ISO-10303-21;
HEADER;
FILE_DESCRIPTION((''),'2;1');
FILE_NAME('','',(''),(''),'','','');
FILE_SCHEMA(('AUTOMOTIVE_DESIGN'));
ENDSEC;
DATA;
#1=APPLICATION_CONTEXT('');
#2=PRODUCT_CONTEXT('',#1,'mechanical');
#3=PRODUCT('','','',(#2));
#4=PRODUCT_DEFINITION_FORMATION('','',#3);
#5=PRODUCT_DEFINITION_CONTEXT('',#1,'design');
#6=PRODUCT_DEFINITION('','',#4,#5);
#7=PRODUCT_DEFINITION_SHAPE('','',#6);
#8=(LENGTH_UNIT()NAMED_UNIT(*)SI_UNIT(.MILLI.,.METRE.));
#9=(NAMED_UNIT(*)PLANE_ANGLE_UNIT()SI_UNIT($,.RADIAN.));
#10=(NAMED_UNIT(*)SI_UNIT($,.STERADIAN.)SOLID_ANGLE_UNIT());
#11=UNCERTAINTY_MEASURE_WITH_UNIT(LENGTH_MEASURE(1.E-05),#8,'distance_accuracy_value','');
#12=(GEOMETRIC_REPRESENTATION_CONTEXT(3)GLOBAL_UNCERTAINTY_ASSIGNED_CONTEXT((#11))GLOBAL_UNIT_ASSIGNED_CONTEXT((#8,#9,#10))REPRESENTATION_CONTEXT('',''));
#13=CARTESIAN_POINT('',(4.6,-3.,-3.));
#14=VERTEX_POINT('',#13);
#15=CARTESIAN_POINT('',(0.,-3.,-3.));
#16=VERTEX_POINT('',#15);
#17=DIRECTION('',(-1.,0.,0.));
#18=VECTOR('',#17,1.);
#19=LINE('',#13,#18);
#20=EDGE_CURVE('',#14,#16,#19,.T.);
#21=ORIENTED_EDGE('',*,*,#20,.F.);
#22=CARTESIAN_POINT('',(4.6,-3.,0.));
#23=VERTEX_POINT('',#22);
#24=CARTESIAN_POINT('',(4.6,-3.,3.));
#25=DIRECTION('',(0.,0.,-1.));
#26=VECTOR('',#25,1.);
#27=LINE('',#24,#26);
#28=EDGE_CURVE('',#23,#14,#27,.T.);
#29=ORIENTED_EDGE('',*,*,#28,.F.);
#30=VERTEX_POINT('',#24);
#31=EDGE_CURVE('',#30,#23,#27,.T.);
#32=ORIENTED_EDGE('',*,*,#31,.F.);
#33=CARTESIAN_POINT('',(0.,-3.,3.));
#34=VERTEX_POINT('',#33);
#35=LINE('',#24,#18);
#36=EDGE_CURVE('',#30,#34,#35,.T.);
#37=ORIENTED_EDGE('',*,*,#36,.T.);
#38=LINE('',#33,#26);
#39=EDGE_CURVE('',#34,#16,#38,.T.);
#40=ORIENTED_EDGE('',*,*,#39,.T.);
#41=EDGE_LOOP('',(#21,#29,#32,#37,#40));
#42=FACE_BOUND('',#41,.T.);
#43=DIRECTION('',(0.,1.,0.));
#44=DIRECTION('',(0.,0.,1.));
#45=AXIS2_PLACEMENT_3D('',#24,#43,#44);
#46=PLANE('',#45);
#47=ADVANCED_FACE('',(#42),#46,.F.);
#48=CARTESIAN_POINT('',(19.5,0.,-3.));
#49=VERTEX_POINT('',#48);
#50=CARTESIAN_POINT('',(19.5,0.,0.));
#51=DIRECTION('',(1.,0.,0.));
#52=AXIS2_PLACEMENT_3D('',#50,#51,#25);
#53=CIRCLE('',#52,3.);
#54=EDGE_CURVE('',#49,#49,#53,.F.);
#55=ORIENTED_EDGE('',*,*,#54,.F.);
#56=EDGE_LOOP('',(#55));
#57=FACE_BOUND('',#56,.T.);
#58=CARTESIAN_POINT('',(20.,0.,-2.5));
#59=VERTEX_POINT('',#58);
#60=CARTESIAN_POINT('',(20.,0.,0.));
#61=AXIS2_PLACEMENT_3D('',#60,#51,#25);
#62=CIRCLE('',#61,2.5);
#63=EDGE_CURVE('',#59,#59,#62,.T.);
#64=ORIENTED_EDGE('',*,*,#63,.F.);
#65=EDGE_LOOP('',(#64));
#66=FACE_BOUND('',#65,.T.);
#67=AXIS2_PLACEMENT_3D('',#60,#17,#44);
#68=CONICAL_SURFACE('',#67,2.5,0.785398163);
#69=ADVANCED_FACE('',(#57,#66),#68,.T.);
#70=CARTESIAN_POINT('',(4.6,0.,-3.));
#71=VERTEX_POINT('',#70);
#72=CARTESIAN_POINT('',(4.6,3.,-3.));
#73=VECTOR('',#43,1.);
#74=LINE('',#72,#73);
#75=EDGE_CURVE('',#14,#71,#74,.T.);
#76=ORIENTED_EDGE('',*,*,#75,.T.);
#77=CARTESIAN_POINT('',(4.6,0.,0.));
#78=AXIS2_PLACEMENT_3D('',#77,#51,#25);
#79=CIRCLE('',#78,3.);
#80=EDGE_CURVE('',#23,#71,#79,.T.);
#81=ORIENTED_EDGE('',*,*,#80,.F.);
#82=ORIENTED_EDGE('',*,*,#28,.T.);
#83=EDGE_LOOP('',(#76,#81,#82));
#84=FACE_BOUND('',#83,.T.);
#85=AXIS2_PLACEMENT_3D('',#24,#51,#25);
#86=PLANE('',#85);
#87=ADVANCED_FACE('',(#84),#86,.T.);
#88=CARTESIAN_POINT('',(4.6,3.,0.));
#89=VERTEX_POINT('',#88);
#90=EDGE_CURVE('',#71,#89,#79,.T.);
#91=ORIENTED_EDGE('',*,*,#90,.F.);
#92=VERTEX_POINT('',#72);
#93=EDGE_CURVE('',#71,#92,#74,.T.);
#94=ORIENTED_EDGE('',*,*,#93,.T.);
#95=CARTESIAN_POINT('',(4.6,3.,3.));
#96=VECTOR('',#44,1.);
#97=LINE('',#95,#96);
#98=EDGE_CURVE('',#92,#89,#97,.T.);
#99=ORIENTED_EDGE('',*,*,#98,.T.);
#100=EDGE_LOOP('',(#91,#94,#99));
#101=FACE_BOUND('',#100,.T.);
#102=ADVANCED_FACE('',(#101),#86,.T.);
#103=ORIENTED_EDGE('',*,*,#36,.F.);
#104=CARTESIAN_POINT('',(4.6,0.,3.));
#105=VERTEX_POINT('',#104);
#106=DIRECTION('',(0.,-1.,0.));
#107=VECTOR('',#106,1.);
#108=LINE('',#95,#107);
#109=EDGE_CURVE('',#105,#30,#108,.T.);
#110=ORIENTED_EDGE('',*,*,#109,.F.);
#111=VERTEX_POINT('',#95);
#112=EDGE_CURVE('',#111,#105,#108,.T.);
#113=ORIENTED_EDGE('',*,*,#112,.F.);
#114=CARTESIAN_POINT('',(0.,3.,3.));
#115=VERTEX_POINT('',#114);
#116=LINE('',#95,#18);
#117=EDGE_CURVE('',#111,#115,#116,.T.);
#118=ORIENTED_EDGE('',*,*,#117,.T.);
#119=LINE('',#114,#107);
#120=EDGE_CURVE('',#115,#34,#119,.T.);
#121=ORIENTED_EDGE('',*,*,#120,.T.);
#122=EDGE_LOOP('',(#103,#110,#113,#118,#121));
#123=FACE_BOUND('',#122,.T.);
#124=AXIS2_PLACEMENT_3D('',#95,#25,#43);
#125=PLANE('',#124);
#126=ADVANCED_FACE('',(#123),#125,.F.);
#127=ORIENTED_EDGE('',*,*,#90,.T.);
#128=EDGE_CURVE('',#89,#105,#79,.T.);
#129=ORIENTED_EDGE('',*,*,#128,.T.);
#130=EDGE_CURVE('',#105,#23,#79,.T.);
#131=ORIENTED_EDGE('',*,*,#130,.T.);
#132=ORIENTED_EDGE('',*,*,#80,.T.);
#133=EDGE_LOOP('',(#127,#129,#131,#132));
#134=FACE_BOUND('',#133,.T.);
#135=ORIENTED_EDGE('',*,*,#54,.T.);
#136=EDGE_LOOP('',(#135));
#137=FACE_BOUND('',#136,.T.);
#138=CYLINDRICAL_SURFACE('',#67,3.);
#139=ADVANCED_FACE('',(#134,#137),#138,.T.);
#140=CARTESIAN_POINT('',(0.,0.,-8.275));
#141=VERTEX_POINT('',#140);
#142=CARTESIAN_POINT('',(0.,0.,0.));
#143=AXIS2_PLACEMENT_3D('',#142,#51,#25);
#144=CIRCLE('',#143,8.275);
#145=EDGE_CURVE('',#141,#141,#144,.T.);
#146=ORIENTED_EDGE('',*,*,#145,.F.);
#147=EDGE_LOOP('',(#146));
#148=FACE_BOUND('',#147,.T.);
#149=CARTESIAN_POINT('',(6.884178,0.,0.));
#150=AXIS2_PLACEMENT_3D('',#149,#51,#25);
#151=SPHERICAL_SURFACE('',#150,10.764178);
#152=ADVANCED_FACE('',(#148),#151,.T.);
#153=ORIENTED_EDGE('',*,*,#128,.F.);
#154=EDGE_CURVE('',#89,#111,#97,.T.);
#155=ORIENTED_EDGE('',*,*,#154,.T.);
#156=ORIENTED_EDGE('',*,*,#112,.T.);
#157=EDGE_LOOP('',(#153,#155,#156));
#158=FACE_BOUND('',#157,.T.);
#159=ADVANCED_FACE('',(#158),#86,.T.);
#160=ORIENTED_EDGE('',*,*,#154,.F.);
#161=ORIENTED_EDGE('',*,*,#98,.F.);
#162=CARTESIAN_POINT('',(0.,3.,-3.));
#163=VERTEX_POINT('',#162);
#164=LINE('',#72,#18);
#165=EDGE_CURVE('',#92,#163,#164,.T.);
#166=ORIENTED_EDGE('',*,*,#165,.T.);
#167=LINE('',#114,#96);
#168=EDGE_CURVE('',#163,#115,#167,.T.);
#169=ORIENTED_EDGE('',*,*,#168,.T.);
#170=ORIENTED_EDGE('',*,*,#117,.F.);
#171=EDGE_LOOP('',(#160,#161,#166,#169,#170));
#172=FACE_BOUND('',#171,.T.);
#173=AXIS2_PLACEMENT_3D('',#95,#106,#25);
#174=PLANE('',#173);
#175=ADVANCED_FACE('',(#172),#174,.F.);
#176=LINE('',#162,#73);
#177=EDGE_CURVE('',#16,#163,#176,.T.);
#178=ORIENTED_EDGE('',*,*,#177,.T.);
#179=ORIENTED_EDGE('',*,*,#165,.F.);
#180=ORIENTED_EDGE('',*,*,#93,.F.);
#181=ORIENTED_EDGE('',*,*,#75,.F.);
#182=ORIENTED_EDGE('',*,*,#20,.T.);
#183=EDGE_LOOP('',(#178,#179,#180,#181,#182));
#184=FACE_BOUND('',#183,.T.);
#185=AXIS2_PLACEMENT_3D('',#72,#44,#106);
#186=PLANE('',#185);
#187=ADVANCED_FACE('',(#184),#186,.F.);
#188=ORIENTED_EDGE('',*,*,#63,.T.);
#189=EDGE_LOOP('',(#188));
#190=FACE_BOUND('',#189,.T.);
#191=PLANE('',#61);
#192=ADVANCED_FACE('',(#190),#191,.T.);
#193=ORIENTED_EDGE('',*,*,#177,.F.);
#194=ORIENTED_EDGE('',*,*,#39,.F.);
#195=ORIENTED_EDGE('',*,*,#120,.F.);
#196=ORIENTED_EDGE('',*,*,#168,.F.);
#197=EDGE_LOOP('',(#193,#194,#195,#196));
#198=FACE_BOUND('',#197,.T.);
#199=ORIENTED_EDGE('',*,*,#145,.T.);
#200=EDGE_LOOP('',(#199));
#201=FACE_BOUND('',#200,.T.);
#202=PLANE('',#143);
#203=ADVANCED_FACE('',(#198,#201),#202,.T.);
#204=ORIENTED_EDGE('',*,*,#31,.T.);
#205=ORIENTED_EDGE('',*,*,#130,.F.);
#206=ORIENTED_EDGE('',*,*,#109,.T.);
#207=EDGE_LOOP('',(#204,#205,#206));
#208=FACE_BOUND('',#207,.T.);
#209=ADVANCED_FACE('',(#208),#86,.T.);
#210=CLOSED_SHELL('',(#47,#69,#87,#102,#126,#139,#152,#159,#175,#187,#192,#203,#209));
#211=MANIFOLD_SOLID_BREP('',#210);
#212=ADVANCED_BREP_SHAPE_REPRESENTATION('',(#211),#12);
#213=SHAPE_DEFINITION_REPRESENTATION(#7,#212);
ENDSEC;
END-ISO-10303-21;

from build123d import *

# Parameters (mm, degrees)
SKIZZE2_W               = 6
SKIZZE2_H               = 6
LINEAR_AUSTRAGEN1_DEPTH = 4.6
SKIZZE3_R               = 3
LINEAR_AUSTRAGEN2_DEPTH = 15.4
FASE1_SIZE              = 0.5


with BuildPart() as part:
    # Skizze1 → Rotation1 (revolve)
    with BuildSketch(Plane(origin=(0, 0, 0), x_dir=(1, 0, 0), z_dir=(0, 1, 0))):
        with BuildLine():
            Line((0, 0), (0, 8.275))
            ThreePointArc((0, 8.275), (-2.861847997, 4.569738094), (-3.88, 0))
            Line((-3.88, 0), (0, 0))
        make_face()
    revolve(axis=Axis((0, 0, 0), (-1, 0, 0)))

    # Skizze2 → Linear austragen1 (add)
    with BuildSketch(Plane(origin=(0, 0, 0), x_dir=(0, 0, -1), z_dir=(1, 0, 0))):
        Rectangle(SKIZZE2_W, SKIZZE2_H)
    extrude(amount=LINEAR_AUSTRAGEN1_DEPTH)

    # Skizze3 → Linear austragen2 (add)
    with BuildSketch(Plane(origin=(4.6, 0, 0), x_dir=(0, 0, -1), z_dir=(1, 0, 0))):
        Circle(SKIZZE3_R)
    extrude(amount=LINEAR_AUSTRAGEN2_DEPTH)

    # Fase1
    fase1_edges = [part.edges().sort_by_distance(p)[0] for p in [
        (20, 0, 3),
    ]]
    chamfer(fase1_edges, length=FASE1_SIZE)


solid = part.part
